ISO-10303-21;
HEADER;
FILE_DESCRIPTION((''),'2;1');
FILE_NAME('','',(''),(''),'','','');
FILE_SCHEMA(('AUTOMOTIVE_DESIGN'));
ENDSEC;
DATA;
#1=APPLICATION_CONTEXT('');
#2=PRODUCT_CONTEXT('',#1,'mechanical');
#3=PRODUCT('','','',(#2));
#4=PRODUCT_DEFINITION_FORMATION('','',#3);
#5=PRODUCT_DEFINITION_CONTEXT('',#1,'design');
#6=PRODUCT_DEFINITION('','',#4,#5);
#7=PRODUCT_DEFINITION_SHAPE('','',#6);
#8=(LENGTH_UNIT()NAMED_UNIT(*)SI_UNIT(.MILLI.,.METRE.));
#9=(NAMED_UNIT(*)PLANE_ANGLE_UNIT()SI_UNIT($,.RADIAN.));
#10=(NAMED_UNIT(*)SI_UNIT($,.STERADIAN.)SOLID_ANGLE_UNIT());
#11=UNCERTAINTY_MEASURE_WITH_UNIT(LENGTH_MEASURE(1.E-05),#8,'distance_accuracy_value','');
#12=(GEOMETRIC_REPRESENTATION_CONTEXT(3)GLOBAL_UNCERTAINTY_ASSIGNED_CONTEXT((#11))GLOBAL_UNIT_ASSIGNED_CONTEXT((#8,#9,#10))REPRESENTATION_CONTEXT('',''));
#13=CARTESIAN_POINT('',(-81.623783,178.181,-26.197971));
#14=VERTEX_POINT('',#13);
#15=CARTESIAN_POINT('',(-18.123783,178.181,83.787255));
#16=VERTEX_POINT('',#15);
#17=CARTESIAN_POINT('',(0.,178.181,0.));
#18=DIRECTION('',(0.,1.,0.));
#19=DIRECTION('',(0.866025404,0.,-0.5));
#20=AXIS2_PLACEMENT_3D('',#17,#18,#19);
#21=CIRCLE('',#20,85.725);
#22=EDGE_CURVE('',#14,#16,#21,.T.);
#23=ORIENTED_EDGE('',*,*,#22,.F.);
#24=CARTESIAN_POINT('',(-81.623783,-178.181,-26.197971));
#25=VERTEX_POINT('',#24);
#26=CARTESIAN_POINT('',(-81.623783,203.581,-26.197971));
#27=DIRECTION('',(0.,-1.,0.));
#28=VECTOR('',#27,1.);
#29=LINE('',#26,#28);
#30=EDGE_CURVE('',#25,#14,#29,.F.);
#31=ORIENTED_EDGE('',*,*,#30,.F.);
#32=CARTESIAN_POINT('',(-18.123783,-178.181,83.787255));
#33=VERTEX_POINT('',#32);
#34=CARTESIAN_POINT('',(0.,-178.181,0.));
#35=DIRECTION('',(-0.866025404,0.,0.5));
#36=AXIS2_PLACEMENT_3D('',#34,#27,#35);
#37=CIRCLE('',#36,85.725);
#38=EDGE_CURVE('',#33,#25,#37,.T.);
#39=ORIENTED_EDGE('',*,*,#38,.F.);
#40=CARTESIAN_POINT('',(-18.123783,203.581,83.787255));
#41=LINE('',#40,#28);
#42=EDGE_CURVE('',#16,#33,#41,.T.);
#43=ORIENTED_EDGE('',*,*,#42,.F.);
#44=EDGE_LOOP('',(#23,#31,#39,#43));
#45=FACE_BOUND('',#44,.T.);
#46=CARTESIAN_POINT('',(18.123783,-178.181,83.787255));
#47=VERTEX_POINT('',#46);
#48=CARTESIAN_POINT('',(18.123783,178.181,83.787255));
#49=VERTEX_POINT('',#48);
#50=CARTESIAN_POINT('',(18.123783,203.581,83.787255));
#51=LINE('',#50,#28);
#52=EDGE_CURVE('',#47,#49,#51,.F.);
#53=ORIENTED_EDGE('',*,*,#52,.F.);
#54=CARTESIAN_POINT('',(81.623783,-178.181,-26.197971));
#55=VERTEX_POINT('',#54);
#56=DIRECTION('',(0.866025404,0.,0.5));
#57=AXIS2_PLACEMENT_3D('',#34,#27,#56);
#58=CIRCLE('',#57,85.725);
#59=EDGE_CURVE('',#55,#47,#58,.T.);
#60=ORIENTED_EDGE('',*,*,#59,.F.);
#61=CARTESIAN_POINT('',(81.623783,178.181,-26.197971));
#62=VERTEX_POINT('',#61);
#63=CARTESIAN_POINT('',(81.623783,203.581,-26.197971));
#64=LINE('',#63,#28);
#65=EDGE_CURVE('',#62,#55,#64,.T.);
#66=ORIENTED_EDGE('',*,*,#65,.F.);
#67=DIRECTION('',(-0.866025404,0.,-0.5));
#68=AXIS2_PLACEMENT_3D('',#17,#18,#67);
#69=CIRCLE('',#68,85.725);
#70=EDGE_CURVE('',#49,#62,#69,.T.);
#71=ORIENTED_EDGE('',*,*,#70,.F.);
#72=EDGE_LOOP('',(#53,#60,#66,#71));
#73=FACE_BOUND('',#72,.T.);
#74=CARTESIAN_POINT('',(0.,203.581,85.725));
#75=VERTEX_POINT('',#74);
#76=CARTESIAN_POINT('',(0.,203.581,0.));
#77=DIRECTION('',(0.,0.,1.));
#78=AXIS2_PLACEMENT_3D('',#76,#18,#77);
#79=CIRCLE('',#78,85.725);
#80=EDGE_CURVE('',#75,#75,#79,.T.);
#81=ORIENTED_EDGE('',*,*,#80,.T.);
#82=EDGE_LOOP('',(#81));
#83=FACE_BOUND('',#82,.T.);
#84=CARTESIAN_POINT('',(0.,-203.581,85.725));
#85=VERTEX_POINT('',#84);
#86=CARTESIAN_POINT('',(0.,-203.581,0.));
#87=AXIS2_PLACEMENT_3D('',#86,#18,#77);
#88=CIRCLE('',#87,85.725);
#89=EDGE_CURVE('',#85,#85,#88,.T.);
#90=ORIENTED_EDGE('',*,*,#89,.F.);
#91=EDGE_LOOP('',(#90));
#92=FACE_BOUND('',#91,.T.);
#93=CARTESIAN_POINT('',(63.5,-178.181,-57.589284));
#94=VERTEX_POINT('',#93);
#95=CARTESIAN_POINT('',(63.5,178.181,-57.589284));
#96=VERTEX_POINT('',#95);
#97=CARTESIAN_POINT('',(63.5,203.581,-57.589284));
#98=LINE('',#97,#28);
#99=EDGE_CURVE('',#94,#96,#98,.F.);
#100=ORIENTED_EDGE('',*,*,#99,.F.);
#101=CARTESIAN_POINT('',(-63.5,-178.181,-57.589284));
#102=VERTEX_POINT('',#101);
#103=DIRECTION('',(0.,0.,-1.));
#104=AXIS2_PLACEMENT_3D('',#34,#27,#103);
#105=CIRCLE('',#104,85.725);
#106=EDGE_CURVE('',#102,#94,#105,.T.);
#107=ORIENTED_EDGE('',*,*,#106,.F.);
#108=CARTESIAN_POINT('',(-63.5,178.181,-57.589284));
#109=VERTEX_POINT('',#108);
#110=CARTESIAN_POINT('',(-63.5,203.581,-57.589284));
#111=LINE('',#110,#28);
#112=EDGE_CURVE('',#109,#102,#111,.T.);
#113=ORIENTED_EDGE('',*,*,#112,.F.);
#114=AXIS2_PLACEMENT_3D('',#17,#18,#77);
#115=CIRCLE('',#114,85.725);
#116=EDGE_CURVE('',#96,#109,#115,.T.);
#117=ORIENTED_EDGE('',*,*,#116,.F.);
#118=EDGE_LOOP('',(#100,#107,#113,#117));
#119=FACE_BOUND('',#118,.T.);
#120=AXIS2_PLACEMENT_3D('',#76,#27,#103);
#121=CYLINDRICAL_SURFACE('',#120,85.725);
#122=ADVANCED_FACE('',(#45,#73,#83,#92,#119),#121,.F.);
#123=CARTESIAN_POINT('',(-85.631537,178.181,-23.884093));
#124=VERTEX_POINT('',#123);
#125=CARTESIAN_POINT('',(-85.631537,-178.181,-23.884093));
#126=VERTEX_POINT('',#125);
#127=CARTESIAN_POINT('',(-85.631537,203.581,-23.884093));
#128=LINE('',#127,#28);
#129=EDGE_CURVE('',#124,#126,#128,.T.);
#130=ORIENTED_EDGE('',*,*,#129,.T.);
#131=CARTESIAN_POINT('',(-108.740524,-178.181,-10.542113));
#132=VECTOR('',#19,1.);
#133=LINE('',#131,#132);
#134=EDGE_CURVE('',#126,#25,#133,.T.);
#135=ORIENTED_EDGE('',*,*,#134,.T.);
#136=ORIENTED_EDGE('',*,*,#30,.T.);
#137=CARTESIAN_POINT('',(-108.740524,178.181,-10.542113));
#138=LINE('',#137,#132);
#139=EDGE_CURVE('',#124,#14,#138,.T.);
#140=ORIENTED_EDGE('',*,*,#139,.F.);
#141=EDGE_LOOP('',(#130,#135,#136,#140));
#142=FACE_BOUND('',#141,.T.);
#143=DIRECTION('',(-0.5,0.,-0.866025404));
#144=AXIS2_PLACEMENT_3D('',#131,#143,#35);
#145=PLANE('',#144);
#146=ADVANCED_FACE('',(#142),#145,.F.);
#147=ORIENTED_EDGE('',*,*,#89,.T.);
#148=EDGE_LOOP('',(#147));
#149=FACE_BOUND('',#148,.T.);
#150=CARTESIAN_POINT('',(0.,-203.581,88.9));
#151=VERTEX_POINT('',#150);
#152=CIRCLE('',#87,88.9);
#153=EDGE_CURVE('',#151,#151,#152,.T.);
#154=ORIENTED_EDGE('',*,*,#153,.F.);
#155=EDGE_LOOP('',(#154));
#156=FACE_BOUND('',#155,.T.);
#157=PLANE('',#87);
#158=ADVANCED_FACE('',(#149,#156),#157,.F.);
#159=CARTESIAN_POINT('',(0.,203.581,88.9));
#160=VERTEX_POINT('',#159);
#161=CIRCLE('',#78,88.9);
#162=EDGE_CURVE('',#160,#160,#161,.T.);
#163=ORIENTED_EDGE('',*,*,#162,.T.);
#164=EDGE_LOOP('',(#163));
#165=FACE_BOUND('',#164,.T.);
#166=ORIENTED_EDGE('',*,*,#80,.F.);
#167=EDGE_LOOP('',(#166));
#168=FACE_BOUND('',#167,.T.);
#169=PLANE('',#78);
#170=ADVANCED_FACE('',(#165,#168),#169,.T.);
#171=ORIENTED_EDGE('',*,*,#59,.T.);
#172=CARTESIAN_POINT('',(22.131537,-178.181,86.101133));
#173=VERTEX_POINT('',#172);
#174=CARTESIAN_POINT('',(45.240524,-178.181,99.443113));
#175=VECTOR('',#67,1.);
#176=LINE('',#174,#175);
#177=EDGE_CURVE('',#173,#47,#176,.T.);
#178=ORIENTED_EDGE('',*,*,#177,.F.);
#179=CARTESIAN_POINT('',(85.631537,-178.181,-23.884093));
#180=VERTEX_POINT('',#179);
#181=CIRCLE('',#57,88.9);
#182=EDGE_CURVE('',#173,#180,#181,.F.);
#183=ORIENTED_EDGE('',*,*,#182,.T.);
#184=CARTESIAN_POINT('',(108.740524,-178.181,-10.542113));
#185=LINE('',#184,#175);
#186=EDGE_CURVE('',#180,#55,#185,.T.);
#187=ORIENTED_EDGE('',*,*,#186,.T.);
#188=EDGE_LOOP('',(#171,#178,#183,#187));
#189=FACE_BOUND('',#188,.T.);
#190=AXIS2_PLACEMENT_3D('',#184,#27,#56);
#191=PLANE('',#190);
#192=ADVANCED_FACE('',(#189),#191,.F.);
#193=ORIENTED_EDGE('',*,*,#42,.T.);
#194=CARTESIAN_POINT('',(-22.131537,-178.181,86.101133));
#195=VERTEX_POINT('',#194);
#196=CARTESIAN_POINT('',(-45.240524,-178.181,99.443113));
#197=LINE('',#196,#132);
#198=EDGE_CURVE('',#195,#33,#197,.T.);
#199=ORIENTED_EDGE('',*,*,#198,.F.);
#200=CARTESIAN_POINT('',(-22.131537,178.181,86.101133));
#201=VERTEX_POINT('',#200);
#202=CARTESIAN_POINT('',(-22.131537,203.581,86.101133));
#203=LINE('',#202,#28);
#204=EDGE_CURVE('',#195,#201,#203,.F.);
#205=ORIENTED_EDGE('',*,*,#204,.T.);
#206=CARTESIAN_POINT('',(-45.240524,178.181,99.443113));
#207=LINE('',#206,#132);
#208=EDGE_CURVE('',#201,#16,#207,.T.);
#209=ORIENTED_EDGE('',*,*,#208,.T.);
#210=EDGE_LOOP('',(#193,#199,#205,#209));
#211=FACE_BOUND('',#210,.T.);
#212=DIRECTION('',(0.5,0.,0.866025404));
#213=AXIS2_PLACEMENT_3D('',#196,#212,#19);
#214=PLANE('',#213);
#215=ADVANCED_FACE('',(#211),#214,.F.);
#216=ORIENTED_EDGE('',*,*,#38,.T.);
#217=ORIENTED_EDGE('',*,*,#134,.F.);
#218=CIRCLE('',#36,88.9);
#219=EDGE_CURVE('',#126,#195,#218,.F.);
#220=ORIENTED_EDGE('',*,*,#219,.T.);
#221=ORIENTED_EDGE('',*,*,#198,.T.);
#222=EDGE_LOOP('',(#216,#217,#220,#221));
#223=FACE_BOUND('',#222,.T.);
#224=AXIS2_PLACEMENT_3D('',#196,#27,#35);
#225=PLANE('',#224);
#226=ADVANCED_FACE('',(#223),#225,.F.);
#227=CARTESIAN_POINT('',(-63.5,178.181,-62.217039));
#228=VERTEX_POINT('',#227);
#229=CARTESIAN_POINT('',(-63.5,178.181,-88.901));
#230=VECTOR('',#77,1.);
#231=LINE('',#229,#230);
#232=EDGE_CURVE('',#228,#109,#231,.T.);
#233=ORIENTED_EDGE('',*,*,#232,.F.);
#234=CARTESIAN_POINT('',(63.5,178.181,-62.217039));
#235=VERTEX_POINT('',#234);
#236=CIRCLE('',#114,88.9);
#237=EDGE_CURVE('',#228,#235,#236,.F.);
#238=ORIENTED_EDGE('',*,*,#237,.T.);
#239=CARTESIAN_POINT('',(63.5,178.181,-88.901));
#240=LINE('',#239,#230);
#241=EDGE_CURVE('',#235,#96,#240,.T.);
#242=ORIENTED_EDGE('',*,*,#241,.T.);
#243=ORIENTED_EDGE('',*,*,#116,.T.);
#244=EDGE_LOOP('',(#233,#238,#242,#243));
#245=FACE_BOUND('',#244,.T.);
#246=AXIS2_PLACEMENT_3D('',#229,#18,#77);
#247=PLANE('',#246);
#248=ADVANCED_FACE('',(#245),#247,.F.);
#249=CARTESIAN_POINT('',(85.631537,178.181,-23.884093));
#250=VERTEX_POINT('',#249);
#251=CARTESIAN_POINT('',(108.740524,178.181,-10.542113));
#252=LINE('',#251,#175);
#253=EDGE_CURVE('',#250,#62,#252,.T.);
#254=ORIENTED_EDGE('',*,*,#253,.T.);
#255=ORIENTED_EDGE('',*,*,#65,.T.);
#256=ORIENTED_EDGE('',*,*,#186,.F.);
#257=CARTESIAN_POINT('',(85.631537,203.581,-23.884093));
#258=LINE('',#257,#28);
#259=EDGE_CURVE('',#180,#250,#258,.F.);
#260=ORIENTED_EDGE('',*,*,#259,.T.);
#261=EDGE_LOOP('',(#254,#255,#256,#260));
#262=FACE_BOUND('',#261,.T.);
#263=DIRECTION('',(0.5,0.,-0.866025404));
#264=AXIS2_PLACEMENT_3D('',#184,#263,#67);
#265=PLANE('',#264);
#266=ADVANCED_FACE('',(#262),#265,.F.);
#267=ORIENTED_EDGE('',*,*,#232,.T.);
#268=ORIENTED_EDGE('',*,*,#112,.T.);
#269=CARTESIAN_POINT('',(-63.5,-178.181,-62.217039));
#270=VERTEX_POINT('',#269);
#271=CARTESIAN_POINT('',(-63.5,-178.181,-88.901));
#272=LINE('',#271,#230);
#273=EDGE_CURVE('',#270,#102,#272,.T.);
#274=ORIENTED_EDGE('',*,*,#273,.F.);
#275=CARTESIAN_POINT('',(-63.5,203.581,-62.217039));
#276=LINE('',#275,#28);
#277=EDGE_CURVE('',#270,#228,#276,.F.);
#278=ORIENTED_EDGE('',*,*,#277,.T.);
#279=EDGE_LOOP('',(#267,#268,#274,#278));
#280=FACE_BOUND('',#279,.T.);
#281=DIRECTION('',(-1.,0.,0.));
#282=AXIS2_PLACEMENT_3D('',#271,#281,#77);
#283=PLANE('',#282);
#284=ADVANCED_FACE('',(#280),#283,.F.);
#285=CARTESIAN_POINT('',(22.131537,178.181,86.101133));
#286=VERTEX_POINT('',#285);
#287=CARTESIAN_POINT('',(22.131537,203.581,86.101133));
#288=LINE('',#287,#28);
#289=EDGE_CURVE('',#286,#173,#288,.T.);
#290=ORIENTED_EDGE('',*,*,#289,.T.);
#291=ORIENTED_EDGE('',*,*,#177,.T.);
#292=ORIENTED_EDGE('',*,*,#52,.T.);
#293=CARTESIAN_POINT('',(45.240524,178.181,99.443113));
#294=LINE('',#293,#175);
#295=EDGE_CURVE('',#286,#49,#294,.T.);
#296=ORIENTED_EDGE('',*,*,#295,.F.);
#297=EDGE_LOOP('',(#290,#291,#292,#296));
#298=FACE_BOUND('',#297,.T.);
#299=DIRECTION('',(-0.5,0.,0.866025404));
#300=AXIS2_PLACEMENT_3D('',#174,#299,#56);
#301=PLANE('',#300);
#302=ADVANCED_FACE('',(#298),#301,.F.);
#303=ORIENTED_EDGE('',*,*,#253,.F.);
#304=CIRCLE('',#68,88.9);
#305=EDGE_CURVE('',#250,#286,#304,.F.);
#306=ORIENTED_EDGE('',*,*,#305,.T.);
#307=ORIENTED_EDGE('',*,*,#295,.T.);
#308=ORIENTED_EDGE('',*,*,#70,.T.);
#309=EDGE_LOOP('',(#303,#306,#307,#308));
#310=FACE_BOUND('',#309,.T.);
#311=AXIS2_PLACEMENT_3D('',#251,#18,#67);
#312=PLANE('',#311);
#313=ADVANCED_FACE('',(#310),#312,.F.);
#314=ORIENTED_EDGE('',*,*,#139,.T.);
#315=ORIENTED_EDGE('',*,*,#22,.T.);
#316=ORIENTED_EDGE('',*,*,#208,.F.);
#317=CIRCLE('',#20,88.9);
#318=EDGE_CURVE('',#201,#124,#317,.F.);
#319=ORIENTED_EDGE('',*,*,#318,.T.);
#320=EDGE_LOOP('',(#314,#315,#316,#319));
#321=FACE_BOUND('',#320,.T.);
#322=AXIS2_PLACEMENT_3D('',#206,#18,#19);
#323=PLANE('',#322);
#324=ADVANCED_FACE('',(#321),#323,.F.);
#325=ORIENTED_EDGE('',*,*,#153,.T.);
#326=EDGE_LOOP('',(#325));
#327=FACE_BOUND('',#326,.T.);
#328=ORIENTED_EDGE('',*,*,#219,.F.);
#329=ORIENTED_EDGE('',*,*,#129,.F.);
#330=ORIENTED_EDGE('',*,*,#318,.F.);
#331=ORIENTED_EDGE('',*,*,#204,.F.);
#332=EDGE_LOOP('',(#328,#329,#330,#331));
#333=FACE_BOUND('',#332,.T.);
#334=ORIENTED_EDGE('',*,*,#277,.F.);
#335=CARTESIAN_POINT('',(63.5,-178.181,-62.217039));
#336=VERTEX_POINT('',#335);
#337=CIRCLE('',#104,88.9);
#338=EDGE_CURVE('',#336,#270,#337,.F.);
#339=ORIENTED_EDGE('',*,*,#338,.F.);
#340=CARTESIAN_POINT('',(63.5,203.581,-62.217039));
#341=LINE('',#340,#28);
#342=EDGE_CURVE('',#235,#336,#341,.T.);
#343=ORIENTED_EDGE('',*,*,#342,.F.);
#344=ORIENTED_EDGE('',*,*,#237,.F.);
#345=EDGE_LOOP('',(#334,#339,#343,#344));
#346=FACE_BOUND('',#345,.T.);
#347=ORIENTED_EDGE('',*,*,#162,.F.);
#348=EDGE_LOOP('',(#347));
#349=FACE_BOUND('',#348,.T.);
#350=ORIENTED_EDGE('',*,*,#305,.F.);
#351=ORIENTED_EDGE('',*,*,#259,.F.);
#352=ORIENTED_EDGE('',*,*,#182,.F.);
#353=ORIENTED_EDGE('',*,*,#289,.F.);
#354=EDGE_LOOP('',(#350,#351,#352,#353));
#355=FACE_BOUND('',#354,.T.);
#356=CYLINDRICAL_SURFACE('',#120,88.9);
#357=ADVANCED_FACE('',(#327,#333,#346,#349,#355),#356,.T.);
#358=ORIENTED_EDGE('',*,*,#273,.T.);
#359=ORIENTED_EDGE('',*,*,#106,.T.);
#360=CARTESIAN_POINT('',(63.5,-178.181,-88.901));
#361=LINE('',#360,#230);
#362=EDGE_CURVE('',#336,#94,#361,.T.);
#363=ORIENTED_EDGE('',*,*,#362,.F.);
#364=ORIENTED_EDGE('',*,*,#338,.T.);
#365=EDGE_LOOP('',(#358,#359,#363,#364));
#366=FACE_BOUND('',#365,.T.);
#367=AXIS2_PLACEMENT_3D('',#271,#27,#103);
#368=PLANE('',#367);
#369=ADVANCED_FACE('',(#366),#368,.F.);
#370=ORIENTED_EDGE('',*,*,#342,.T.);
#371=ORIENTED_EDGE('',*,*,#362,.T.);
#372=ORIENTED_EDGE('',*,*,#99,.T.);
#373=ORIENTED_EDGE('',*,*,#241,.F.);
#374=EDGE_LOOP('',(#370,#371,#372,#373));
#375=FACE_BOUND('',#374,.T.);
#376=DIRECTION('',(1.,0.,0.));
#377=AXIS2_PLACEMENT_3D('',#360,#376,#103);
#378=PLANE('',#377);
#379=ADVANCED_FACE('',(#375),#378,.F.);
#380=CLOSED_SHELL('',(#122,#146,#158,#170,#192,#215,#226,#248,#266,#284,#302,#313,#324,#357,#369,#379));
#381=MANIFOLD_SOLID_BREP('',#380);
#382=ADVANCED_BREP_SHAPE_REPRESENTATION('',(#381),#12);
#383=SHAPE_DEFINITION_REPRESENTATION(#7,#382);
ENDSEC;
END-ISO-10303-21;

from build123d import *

# Parameters (mm, degrees)
SKETCH1_R               = 88.9
SKETCH1_R_2             = 85.725
BOSS_EXTRUDE1_DEPTH     = 203.581
CUT_EXTRUDE1_REACH      = 241.273
CUT_EXTRUDE1_END_RADIUS = 88.9
SKETCH2_W               = 127
SKETCH2_H               = 356.362
CIRPATTERN1_COUNT       = 3


with BuildPart() as part:
    # Sketch1 → Boss-Extrude1 (new, symmetric)
    with BuildSketch(Plane(origin=(0, 0, 0), x_dir=(1, 0, 0), z_dir=(0, 1, 0))):
        with Locations(Location((0, 0, 0), (0, 0, 270))):
            Circle(SKETCH1_R)
        with Locations(Location((0, 0, 0), (0, 0, 270))):
            Circle(SKETCH1_R_2, mode=Mode.SUBTRACT)
    extrude(amount=BOSS_EXTRUDE1_DEPTH, both=True)

    # Cut-Extrude1: up to this cylinder (the profile starts inside it)
    cut_extrude1_end = Plane(origin=(0, 0, 0), z_dir=(0, -1, 0)) * Cylinder(CUT_EXTRUDE1_END_RADIUS, 661.346, mode=Mode.PRIVATE)
    # Sketch2 → Cut-Extrude1 (cut, up to the surface)
    with BuildSketch(Plane.XY, mode=Mode.PRIVATE) as cut_extrude1_sk1:
        Rectangle(SKETCH2_W, SKETCH2_H)
    cut_extrude1_tool1 = extrude(cut_extrude1_sk1.sketch, amount=-CUT_EXTRUDE1_REACH, mode=Mode.PRIVATE) & cut_extrude1_end
    cut_extrude1 = cut_extrude1_tool1.solids().sort_by_distance((0, 0, 0))[0]
    add(cut_extrude1, mode=Mode.SUBTRACT)

    # CirPattern1: Cut-Extrude1 ×3 about axis
    cirpattern1_axis = Axis((0, 0, 0), (0, 1, 0))
    for i in range(1, CIRPATTERN1_COUNT):
        add(cut_extrude1.rotate(cirpattern1_axis, i * 360 / CIRPATTERN1_COUNT), mode=Mode.SUBTRACT)


solid = part.part
